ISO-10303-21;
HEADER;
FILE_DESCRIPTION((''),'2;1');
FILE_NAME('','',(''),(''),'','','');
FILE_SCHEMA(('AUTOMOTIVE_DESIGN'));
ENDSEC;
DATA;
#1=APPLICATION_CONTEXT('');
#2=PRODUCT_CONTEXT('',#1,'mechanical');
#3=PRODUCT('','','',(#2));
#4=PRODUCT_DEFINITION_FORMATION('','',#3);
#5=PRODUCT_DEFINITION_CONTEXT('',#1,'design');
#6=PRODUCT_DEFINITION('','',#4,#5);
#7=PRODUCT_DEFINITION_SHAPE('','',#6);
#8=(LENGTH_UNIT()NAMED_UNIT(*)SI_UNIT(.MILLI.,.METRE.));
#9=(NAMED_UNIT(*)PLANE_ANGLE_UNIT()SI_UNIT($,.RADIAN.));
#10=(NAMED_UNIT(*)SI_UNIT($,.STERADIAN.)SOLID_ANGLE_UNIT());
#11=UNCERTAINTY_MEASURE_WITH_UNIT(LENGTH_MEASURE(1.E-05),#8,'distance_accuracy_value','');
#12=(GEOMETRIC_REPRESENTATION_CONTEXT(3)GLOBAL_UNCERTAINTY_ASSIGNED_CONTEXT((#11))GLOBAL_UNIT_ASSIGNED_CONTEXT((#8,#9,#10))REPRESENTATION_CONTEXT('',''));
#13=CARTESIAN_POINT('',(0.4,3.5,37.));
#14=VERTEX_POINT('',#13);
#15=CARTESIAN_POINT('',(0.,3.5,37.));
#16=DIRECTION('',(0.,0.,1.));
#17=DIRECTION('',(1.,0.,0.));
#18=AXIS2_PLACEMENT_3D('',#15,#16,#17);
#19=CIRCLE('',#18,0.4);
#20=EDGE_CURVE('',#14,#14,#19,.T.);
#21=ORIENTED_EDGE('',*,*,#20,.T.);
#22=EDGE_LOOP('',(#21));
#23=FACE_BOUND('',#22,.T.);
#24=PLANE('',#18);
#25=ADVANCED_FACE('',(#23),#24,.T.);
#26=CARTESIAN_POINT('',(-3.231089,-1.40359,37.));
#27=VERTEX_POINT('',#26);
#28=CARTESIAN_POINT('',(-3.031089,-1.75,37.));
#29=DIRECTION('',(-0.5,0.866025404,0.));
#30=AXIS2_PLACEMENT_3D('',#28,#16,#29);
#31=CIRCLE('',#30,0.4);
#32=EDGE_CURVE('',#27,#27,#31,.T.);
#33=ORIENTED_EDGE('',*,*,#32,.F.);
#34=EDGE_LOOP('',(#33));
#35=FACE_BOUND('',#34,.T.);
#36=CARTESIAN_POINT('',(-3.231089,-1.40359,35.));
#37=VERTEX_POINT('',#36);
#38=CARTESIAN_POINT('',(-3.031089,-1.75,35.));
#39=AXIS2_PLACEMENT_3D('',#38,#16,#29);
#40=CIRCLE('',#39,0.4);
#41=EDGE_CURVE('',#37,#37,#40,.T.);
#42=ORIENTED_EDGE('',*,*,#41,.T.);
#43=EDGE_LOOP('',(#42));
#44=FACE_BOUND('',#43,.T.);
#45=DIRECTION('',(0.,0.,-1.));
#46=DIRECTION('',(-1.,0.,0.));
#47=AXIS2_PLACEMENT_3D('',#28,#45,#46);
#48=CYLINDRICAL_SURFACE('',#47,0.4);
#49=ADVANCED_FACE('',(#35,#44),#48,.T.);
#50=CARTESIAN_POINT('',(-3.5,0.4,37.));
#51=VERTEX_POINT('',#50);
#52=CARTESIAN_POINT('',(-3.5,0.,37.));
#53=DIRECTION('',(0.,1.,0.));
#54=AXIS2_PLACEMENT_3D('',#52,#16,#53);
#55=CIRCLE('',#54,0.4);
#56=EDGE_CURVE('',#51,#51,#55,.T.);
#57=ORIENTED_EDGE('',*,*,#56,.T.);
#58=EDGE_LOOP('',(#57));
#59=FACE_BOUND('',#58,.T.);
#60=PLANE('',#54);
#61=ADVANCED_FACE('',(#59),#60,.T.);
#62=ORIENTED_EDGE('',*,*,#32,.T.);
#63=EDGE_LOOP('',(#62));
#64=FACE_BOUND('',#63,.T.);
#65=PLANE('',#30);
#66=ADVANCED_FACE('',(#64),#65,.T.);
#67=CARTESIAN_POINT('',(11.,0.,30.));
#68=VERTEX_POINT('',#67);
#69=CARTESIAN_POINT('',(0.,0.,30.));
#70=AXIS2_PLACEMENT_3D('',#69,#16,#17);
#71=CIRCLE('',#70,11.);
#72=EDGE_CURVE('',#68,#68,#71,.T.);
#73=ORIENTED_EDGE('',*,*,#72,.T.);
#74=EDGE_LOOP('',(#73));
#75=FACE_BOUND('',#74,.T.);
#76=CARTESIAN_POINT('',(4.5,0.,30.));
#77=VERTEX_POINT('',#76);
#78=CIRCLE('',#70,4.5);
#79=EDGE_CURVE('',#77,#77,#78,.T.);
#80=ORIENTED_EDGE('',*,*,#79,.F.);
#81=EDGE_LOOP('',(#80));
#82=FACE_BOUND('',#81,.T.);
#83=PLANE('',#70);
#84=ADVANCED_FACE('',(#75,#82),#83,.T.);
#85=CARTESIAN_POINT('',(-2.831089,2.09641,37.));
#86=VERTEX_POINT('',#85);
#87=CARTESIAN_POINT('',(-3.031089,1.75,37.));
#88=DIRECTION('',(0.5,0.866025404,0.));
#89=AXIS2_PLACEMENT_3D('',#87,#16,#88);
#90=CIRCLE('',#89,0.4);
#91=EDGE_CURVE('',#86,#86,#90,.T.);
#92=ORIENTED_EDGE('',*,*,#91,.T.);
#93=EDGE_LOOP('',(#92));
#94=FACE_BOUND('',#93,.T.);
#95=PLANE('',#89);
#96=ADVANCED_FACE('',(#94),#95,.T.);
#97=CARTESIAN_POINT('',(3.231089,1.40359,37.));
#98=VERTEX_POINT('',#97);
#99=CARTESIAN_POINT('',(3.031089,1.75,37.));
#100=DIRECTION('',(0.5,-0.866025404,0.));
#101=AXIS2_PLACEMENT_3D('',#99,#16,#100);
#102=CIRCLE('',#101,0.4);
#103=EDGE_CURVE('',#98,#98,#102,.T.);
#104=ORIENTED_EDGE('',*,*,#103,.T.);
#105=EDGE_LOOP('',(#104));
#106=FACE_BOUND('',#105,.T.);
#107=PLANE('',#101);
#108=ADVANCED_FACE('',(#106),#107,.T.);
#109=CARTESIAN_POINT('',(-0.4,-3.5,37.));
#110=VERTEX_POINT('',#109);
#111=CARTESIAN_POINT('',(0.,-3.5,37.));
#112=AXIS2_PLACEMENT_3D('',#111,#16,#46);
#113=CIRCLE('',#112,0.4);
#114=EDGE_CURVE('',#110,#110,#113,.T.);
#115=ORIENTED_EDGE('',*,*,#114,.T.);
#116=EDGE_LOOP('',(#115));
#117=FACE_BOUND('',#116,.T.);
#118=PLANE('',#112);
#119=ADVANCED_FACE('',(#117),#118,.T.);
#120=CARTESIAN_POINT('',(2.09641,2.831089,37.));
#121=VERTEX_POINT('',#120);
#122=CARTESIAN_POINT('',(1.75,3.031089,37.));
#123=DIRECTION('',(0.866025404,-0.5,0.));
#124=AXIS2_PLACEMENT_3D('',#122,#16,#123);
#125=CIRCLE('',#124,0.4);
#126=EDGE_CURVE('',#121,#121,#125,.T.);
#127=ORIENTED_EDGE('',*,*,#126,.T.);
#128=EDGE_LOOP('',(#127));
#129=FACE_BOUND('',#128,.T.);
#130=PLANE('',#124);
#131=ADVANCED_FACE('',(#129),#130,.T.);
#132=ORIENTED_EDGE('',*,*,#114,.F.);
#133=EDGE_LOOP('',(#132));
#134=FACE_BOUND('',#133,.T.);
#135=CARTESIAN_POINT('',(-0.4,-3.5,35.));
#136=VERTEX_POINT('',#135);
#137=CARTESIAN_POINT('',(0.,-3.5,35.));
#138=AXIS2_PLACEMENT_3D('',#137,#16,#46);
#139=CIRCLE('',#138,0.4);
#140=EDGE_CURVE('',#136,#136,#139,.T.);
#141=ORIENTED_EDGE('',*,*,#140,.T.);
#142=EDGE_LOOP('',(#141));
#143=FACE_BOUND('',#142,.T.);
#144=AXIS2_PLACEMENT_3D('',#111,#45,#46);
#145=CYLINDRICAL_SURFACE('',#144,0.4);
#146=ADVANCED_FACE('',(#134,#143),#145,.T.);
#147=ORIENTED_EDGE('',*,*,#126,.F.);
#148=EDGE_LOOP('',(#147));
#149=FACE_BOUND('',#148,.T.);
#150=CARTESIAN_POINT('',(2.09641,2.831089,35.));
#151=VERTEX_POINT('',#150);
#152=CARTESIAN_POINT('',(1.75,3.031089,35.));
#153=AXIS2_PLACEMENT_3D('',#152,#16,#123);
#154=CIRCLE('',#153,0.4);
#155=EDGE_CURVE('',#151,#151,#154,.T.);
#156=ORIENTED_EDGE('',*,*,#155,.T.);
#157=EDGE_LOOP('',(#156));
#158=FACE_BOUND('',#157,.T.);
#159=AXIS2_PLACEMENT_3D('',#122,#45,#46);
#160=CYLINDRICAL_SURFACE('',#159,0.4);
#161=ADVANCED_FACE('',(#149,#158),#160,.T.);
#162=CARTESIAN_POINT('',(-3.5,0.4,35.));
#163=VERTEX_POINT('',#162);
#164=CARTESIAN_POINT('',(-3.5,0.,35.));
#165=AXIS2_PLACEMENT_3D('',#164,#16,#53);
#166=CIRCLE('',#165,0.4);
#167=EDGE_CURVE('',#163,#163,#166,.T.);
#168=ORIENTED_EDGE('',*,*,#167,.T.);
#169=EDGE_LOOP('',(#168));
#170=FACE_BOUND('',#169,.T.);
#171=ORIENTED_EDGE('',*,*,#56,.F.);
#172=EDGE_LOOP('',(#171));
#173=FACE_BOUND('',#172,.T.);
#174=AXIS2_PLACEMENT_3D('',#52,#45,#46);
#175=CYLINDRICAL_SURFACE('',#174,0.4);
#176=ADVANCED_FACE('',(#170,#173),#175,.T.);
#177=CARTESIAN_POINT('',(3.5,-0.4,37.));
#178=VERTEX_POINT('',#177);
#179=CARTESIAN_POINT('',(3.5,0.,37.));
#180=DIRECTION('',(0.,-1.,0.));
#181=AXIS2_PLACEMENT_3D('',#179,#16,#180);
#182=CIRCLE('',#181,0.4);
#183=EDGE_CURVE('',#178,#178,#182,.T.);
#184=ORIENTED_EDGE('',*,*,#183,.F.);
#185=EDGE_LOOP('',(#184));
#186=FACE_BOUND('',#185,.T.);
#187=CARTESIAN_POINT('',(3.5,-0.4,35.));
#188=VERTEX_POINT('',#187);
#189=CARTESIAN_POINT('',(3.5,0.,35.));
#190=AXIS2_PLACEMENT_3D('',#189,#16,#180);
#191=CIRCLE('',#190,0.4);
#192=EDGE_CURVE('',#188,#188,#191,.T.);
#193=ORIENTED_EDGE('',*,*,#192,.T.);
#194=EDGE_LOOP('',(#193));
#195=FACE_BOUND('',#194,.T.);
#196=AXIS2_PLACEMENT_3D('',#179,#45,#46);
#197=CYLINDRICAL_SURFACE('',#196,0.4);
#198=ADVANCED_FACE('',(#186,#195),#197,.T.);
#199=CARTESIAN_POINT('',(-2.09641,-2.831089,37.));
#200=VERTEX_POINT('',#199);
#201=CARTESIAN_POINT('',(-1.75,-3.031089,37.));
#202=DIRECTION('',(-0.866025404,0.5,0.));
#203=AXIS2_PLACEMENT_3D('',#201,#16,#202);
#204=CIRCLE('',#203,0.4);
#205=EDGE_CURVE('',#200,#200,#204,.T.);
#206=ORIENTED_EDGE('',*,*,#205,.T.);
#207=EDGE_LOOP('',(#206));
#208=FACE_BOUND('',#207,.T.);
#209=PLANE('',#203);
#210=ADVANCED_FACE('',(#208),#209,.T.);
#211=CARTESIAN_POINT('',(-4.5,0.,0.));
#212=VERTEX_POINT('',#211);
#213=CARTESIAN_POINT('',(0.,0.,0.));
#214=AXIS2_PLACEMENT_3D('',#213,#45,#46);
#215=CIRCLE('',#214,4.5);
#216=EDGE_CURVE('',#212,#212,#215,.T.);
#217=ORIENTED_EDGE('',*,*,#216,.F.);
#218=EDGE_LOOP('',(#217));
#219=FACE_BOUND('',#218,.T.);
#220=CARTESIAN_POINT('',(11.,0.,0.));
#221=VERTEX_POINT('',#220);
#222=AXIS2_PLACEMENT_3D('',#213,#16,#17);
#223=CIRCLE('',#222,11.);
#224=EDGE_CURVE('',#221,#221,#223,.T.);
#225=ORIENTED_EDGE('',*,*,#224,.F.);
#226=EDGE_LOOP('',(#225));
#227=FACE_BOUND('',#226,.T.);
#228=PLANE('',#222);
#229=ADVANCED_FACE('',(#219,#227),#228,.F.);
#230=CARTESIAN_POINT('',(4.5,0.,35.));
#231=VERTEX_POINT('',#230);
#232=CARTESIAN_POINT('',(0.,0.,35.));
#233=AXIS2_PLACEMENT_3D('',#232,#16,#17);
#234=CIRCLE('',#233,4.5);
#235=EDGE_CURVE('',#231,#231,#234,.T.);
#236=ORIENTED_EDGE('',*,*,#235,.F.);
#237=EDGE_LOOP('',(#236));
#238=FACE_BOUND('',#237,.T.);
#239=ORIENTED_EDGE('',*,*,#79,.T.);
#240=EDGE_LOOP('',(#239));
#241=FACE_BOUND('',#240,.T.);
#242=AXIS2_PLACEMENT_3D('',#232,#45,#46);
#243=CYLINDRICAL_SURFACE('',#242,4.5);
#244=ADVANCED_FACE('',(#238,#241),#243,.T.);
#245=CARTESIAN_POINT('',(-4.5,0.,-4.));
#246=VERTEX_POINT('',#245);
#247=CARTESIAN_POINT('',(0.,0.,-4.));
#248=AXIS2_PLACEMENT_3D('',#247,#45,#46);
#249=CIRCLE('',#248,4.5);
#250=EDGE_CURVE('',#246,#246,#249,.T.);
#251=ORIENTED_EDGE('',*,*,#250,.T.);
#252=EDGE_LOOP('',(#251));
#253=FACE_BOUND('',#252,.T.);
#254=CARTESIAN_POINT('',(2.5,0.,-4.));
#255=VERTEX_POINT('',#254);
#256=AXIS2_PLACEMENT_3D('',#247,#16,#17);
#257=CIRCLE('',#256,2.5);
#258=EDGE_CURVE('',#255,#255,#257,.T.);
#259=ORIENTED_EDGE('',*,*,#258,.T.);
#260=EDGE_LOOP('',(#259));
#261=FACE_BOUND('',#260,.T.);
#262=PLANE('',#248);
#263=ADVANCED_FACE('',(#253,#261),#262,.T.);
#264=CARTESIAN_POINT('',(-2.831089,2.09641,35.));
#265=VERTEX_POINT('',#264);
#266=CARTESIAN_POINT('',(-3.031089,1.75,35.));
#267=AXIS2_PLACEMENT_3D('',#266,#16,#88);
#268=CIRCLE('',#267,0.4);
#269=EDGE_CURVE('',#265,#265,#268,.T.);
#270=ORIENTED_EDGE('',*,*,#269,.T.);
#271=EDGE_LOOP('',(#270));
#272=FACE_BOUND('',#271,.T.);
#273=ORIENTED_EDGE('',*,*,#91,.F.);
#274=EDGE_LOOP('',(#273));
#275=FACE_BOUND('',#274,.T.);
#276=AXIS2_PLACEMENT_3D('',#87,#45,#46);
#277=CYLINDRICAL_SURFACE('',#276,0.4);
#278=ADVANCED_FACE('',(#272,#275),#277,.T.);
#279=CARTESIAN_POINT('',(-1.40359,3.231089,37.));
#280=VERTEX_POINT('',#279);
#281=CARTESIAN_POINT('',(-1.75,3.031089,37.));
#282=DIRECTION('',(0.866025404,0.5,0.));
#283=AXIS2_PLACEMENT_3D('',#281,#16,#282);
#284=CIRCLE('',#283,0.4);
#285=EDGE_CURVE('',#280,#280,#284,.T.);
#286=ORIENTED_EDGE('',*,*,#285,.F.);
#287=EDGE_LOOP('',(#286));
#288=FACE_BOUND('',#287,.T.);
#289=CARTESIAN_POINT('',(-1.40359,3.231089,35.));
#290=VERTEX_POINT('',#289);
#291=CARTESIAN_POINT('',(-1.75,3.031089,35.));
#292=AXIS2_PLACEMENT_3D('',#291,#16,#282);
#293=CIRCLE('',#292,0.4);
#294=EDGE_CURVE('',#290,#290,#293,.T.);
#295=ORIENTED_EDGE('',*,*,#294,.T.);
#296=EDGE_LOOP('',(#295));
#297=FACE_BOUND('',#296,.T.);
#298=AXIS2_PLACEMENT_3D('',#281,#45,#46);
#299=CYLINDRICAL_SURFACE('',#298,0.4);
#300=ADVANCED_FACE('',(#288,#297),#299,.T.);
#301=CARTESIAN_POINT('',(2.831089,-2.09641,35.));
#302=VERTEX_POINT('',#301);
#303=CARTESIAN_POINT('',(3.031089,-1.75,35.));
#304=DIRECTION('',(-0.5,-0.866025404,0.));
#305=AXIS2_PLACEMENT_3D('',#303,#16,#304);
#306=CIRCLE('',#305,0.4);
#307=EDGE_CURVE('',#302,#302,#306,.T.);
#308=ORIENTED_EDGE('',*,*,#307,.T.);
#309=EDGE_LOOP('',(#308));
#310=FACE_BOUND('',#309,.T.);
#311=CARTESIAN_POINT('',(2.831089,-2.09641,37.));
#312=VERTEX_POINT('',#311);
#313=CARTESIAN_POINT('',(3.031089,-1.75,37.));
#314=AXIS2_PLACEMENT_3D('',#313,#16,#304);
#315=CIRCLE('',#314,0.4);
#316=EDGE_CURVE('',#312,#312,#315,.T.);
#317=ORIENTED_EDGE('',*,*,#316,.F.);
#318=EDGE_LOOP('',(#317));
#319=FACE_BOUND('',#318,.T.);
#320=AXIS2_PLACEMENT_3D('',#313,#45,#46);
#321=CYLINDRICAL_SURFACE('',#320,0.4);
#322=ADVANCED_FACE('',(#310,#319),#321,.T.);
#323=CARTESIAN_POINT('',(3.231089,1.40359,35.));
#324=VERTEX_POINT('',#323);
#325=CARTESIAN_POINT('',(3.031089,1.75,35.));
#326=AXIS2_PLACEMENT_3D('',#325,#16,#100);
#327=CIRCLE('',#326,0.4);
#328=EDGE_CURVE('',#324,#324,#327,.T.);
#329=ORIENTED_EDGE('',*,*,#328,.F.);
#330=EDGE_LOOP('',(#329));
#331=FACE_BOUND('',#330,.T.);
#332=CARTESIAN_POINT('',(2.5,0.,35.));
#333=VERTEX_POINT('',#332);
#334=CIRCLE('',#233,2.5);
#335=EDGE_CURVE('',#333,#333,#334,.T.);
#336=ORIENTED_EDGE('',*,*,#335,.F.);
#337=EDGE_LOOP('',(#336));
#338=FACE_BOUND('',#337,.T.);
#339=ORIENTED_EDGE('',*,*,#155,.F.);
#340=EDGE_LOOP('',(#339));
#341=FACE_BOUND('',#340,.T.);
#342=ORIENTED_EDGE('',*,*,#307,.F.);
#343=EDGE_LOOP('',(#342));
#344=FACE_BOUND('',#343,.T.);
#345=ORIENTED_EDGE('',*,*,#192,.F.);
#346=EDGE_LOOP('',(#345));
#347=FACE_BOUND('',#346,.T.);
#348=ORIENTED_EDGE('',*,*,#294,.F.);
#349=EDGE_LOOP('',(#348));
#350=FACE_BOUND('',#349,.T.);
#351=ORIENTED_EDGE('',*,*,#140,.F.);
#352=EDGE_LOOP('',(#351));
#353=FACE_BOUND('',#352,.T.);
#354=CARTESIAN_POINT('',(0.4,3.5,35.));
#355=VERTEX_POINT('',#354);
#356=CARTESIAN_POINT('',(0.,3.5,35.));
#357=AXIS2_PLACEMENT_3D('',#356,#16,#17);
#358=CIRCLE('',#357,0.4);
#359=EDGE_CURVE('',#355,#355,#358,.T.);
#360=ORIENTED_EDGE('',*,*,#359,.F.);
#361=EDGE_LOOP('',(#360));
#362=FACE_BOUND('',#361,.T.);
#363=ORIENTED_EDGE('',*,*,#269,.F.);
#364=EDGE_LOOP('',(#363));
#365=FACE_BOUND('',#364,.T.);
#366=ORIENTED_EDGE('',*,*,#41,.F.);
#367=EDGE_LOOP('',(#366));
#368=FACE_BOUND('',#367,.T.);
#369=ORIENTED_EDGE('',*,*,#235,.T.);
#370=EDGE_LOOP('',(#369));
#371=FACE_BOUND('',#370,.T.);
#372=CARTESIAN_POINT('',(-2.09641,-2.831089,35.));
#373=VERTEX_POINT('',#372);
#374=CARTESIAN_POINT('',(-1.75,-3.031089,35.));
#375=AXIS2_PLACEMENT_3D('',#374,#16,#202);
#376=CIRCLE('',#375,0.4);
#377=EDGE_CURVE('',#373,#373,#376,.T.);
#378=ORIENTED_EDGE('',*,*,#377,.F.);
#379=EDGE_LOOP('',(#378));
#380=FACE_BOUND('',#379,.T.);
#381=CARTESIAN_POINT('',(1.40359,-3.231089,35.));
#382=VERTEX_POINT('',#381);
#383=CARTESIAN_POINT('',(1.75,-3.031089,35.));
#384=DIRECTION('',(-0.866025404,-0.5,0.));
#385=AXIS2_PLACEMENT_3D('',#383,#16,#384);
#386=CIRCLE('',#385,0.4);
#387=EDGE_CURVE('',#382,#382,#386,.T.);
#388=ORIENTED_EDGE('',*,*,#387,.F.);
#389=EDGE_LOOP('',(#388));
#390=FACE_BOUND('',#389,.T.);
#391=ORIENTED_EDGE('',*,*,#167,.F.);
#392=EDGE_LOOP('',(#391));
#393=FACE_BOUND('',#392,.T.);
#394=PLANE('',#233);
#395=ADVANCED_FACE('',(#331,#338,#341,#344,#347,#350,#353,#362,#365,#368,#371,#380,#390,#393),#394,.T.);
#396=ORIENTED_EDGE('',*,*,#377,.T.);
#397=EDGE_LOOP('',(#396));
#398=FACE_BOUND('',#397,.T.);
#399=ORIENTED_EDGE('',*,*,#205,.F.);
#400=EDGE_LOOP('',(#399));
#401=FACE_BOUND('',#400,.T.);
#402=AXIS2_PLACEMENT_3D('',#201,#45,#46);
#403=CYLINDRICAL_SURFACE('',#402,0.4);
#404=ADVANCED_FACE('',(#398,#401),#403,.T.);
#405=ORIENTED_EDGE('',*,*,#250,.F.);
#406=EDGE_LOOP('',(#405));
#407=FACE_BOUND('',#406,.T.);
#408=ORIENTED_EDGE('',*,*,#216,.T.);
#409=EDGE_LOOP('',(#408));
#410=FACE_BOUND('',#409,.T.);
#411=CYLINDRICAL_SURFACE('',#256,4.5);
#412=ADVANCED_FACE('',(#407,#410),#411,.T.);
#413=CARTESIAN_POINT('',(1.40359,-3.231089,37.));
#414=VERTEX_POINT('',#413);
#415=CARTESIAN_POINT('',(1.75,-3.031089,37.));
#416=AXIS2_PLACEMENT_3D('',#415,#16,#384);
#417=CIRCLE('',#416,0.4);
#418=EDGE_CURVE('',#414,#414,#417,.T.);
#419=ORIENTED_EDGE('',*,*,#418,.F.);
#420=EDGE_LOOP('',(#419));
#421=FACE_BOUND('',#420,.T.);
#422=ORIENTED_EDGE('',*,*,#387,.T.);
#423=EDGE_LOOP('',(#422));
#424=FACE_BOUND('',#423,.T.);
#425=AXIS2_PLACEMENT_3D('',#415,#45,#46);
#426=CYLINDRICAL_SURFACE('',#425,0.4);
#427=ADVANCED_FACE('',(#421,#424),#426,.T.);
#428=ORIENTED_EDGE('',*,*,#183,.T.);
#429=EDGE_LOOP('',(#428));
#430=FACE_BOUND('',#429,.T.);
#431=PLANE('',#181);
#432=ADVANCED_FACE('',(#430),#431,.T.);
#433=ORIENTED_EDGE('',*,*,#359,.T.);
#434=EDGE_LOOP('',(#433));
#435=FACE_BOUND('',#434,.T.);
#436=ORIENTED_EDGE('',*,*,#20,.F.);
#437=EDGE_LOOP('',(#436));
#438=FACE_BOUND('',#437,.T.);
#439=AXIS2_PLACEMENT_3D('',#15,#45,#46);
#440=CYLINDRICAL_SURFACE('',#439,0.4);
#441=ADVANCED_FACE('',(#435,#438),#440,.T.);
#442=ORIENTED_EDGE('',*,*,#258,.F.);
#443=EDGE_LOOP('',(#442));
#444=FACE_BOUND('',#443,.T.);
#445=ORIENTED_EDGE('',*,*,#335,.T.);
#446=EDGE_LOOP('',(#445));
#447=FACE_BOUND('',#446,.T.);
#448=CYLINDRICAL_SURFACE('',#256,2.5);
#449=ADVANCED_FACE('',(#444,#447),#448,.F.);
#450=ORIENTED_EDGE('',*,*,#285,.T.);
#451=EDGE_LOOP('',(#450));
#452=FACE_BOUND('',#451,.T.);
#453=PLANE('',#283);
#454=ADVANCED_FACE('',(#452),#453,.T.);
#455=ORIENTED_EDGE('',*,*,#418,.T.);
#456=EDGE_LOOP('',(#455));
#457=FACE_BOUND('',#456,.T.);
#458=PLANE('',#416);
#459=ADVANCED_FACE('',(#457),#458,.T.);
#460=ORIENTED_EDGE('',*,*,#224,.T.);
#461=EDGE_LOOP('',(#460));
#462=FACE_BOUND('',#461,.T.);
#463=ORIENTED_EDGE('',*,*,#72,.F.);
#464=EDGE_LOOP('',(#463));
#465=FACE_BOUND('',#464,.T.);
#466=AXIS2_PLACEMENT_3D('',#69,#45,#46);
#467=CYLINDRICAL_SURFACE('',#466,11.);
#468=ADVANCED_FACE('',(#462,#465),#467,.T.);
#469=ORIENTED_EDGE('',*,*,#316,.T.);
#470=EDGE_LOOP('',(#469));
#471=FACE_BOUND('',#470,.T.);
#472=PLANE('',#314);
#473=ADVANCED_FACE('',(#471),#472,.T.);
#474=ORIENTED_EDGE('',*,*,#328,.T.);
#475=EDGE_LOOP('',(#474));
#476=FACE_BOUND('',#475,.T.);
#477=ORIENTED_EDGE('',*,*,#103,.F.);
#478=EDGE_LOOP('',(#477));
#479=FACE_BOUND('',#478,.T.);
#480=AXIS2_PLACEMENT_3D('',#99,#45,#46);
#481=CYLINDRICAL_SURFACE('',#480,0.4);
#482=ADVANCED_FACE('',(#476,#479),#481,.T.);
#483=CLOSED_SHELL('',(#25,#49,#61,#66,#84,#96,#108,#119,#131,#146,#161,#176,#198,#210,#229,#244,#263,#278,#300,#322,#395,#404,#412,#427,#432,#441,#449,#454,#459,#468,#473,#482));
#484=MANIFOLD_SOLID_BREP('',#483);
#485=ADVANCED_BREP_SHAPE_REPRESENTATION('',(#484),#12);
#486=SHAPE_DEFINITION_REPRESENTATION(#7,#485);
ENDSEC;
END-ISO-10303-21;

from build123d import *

# Parameters (mm, degrees)
SKETCH2_R           = 11
BOSS_EXTRUDE1_DEPTH = 30
SKETCH3_R           = 4.5
BOSS_EXTRUDE2_DEPTH = 5
BOSS_EXTRUDE3_START = 4
SKETCH4_R           = 4.5
BOSS_EXTRUDE3_DEPTH = 4
SKETCH5_R           = 2.5
CUT_EXTRUDE1_DEPTH  = 42.98809355
SKETCH6_R           = 0.4
BOSS_EXTRUDE4_DEPTH = 2
CIRPATTERN1_COUNT   = 12


with BuildPart() as part:
    # Sketch2 → Boss-Extrude1 (new body)
    with BuildSketch(Plane.XY):
        Circle(SKETCH2_R)
    extrude(amount=BOSS_EXTRUDE1_DEPTH)

    # Sketch3 → Boss-Extrude2 (add)
    with BuildSketch(Plane.XY.offset(30)):
        Circle(SKETCH3_R)
    extrude(amount=BOSS_EXTRUDE2_DEPTH)

    # Sketch4 → Boss-Extrude3 (add)
    with BuildSketch(Plane(origin=(0, 0, 0), x_dir=(-1, 0, 0), z_dir=(0, 0, -1)).offset(BOSS_EXTRUDE3_START)):
        with Locations(Location((0, 0, 0), (0, 0, 180))):
            Circle(SKETCH4_R)
    extrude(amount=-BOSS_EXTRUDE3_DEPTH)

    # Sketch5 → Cut-Extrude1 (cut, through all)
    with BuildSketch(Plane.XY.offset(35)):
        Circle(SKETCH5_R)
    extrude(amount=-CUT_EXTRUDE1_DEPTH, mode=Mode.SUBTRACT)

    # Sketch6 → Boss-Extrude4 (add)
    with BuildSketch(Plane.XY.offset(35)):
        with Locations((0, 3.5)):
            Circle(SKETCH6_R)
    boss_extrude4 = extrude(amount=BOSS_EXTRUDE4_DEPTH)

    # CirPattern1: Boss-Extrude4 ×12 about axis
    cirpattern1_axis = Axis((0, 0, 0), (0, 0, 1))
    for i in range(1, CIRPATTERN1_COUNT):
        add(boss_extrude4.rotate(cirpattern1_axis, i * 360 / CIRPATTERN1_COUNT))


solid = part.part
